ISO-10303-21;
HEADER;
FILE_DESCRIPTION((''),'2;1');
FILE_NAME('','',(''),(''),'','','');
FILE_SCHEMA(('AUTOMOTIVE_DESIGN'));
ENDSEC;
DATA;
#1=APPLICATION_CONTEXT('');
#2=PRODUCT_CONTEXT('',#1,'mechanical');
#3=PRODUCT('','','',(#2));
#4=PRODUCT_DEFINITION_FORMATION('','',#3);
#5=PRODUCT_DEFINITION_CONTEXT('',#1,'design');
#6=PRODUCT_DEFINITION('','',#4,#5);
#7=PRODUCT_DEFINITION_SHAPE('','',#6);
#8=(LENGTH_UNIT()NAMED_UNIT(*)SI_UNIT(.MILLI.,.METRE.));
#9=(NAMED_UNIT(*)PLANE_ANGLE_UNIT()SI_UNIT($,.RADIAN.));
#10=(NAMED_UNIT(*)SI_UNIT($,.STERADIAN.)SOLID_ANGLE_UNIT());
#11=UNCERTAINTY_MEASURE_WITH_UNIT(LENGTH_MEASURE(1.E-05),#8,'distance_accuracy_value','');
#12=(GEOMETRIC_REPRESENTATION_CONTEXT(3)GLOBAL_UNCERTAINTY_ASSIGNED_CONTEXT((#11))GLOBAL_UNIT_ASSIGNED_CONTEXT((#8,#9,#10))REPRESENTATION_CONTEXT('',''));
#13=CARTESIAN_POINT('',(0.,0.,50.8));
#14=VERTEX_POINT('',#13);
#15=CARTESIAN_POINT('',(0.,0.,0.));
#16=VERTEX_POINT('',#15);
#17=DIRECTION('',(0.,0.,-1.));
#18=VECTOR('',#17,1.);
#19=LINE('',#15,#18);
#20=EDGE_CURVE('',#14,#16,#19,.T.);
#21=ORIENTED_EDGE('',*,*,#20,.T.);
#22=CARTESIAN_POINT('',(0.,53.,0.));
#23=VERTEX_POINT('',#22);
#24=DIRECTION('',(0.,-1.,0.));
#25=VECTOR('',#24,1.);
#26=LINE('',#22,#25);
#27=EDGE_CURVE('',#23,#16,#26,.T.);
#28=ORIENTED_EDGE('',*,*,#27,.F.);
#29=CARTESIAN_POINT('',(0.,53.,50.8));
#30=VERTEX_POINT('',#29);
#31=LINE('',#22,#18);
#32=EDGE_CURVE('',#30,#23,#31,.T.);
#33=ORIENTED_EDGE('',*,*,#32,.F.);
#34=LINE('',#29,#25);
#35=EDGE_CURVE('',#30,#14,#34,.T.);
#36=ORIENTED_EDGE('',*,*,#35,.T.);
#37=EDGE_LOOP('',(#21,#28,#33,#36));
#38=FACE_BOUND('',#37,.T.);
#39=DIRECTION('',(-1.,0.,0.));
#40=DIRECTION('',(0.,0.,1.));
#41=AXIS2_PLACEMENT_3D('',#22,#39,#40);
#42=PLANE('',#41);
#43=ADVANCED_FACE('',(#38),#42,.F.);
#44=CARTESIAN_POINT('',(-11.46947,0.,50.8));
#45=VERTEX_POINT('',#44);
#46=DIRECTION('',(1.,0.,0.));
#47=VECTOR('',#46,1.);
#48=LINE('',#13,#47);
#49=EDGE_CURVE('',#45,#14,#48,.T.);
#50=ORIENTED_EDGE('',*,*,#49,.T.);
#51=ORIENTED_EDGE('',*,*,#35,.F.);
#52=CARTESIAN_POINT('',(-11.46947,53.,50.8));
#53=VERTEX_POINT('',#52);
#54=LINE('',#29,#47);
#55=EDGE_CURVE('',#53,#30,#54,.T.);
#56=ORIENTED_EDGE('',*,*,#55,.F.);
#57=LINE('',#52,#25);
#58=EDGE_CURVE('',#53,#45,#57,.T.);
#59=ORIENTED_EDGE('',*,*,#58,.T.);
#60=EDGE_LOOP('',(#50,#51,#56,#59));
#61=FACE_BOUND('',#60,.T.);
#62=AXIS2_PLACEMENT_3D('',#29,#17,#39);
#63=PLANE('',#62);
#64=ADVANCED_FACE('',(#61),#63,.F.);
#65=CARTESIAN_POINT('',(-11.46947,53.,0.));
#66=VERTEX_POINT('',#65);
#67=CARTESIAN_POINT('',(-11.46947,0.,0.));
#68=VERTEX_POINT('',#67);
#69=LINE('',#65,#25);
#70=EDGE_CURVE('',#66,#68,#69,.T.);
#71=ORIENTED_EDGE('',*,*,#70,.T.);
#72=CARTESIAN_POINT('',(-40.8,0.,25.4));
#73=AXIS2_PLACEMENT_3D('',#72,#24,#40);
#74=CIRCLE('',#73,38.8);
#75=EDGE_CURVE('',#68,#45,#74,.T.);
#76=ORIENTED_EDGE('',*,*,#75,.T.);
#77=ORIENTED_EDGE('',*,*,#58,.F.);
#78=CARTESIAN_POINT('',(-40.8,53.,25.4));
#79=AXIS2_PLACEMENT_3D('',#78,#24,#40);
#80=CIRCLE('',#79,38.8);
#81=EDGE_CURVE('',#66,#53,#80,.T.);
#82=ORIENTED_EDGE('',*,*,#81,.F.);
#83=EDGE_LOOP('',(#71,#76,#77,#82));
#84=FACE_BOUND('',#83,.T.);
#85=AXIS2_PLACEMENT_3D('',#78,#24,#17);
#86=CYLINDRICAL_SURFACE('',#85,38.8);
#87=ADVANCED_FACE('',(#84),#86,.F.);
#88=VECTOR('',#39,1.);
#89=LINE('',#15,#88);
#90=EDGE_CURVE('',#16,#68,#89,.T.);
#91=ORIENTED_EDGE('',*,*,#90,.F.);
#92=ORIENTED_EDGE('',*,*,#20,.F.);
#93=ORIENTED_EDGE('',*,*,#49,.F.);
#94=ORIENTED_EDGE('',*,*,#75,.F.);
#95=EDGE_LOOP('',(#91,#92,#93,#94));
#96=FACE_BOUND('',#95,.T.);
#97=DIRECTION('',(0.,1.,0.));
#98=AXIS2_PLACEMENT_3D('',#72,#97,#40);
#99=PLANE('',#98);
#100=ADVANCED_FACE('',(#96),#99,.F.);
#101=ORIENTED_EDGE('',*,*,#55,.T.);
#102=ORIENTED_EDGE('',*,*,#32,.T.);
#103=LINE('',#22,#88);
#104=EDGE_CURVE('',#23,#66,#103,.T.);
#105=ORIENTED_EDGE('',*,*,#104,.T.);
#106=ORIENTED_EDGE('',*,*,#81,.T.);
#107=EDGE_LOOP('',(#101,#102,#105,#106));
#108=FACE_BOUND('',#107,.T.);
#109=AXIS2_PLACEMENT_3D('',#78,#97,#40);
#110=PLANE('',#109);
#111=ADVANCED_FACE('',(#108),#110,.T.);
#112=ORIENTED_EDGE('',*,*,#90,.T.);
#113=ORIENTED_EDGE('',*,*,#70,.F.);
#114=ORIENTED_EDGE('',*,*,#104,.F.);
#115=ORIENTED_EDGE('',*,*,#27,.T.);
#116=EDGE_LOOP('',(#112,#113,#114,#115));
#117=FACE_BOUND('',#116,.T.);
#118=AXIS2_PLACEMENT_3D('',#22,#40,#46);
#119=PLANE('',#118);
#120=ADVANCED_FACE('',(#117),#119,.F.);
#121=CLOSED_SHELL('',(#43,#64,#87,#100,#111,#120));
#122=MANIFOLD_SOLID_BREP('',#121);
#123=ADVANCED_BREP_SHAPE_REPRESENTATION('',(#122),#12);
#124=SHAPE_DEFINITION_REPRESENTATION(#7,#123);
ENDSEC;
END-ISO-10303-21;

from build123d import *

# Parameters (mm, degrees)
EXTRUDE_1_DEPTH = 53


with BuildPart() as part:
    # 草图1 → 凸台-拉伸1 (new body)
    with BuildSketch(Plane(origin=(0, 0, 0), x_dir=(1, 0, 0), z_dir=(0, 1, 0))):
        with BuildLine():
            Line((0, 0), (0, -50.8))
            Line((0, -50.8), (-11.469469831, -50.8))
            ThreePointArc((-11.469469831, -50.8), (-2, -25.4), (-11.469469831, 0))
            Line((-11.469469831, 0), (0, 0))
        make_face()
    extrude(amount=EXTRUDE_1_DEPTH)


solid = part.part
